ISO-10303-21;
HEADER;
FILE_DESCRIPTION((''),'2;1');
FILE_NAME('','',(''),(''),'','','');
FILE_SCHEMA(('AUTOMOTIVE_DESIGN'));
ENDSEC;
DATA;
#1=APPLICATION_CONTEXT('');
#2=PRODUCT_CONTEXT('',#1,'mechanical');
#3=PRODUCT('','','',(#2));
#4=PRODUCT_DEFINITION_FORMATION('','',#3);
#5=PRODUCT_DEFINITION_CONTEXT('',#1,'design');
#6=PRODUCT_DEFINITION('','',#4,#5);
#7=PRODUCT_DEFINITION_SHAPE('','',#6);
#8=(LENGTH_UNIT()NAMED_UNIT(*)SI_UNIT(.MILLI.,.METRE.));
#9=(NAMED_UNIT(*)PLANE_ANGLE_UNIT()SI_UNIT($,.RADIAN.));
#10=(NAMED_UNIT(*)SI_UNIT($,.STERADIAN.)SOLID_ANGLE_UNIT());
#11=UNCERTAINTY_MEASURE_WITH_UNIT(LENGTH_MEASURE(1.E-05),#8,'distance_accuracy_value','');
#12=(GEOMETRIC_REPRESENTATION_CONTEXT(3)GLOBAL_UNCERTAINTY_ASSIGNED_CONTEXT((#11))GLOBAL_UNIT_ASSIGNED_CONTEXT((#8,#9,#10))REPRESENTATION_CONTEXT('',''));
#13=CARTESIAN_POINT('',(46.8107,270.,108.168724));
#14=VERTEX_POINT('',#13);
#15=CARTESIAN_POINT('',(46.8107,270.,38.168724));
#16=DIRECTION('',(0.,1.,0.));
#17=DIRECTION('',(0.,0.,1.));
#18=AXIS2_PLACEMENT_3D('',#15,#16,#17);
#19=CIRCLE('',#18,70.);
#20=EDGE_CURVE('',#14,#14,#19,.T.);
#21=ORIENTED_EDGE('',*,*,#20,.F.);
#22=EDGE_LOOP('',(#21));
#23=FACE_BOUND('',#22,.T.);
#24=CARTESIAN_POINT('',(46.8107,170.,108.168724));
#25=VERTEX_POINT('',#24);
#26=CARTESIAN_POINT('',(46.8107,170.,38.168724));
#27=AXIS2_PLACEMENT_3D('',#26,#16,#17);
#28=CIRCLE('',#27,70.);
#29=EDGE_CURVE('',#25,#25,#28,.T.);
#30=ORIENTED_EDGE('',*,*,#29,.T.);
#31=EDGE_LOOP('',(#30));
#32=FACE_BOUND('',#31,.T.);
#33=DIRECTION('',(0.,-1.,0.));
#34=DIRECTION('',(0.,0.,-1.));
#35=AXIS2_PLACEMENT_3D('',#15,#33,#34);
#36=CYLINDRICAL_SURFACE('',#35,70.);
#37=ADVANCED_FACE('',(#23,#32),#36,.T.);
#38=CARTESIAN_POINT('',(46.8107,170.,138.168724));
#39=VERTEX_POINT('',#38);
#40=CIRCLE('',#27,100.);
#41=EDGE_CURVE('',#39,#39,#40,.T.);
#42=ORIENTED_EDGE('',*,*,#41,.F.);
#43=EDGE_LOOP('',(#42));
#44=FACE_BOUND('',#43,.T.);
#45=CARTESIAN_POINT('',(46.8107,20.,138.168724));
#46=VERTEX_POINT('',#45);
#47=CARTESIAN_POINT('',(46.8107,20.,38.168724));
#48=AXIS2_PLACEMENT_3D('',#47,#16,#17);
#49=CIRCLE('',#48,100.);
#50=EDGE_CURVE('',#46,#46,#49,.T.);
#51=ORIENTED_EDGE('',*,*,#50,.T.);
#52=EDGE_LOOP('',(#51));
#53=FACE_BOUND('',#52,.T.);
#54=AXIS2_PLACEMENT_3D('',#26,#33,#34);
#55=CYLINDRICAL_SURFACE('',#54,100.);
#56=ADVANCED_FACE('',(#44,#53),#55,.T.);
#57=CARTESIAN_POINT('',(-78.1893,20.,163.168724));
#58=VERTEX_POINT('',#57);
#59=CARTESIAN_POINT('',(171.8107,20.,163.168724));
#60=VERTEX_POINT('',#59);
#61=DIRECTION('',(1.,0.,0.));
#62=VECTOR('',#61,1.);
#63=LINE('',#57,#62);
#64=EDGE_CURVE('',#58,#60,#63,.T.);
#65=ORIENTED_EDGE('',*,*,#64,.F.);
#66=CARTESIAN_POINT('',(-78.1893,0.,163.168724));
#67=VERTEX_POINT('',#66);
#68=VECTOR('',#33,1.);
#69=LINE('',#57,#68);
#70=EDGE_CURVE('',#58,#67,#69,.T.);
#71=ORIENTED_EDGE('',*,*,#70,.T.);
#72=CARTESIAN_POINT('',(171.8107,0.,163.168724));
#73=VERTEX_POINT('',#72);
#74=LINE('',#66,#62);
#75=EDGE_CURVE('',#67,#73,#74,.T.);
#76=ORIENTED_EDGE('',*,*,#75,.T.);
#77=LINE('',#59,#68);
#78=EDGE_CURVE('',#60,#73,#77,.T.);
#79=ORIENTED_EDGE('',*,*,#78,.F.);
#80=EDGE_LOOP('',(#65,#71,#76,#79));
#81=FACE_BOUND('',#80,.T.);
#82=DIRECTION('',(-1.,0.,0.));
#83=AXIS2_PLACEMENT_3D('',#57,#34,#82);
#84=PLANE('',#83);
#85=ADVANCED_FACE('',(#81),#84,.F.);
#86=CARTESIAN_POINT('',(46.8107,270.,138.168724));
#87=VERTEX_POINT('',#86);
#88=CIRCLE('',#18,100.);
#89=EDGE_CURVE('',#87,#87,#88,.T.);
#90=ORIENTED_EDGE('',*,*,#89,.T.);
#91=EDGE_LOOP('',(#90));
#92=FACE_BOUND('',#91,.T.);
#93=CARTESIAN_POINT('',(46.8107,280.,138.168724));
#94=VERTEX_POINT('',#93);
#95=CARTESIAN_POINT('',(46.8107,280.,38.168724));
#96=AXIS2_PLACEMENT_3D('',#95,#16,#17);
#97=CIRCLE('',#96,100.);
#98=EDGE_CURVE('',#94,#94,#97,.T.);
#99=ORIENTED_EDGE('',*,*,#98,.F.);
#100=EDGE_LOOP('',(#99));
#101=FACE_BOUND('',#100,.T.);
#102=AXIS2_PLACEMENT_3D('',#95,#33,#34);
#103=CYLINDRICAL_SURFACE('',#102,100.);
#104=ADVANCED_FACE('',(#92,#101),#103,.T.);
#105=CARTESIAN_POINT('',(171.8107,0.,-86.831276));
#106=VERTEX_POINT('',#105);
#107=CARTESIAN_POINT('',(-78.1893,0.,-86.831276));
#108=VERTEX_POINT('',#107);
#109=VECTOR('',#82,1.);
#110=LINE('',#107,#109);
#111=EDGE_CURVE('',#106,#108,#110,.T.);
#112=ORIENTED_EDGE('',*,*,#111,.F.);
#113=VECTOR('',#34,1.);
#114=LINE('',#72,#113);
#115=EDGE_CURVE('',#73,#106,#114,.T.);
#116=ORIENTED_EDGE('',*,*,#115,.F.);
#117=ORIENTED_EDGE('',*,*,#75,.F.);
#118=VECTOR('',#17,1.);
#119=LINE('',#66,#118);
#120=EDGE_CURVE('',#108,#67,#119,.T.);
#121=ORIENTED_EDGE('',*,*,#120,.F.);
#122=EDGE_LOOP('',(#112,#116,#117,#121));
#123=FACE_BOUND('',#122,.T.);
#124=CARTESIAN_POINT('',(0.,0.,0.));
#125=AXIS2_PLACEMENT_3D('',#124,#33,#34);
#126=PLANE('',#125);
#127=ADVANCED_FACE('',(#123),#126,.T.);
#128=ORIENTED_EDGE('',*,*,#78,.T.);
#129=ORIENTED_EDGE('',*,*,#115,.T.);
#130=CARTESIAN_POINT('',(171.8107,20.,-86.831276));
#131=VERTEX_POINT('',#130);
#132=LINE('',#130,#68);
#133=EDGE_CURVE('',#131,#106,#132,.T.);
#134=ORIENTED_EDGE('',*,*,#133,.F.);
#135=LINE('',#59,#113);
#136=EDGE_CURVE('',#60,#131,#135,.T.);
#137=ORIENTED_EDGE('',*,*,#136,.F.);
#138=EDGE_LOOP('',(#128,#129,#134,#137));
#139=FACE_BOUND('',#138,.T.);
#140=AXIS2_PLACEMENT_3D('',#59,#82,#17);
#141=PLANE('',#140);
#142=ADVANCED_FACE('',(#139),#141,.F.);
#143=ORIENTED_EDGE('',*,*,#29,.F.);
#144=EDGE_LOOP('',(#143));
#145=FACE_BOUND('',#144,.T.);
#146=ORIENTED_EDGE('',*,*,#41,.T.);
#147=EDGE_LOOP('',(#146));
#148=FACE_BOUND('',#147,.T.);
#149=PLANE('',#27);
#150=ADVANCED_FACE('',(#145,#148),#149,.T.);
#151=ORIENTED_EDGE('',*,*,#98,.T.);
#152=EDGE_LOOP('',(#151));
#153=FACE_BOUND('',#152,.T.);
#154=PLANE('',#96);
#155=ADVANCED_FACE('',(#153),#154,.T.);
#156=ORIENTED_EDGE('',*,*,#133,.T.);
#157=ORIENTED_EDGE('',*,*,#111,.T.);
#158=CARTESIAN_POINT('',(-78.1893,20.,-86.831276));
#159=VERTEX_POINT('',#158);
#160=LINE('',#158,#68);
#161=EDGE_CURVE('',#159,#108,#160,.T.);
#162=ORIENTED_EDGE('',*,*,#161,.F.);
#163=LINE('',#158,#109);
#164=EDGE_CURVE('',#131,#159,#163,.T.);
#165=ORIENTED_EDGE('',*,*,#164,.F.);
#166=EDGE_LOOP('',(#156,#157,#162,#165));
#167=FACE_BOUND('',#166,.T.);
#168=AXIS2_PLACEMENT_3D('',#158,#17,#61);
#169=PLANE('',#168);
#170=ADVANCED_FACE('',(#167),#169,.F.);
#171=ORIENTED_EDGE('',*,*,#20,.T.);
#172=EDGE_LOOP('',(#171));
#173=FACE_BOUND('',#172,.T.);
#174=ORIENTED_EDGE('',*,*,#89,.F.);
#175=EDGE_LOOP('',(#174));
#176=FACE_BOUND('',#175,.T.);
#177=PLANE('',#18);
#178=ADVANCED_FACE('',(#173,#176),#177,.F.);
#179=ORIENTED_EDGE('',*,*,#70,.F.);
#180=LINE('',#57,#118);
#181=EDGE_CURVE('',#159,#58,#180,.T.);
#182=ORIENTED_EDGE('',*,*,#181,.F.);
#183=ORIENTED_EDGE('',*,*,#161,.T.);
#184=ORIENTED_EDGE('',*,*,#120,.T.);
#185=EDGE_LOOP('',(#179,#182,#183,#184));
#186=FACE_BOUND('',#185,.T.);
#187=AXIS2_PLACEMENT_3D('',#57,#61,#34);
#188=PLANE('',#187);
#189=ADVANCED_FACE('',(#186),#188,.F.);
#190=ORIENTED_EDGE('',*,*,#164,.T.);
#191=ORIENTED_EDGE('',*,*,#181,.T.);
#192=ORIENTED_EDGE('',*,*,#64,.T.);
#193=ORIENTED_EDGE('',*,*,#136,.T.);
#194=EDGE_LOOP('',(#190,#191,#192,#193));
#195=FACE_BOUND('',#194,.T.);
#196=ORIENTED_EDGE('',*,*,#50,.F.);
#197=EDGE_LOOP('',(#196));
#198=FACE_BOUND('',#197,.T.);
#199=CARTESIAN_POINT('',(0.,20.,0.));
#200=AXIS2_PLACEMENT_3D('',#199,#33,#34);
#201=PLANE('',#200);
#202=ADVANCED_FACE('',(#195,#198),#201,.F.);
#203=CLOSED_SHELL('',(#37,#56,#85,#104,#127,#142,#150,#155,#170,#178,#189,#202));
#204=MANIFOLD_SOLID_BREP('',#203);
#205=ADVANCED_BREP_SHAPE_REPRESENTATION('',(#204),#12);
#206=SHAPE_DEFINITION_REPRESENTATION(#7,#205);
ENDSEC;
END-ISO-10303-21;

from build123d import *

# Parameters (mm, degrees)
SKETCH1_W           = 250
SKETCH1_H           = 250
BOSS_EXTRUDE1_DEPTH = 20
SKETCH2_R           = 100
BOSS_EXTRUDE2_DEPTH = 150
SKETCH3_R           = 70
BOSS_EXTRUDE3_DEPTH = 100
SKETCH4_R           = 100
BOSS_EXTRUDE4_DEPTH = 10


with BuildPart() as part:
    # Sketch1 → Boss-Extrude1 (new body)
    with BuildSketch(Plane(origin=(0, 0, 0), x_dir=(1, 0, 0), z_dir=(0, 1, 0))):
        with Locations((46.810699588, -38.16872428)):
            Rectangle(SKETCH1_W, SKETCH1_H)
    extrude(amount=BOSS_EXTRUDE1_DEPTH)

    # Sketch2 → Boss-Extrude2 (add)
    with BuildSketch(Plane(origin=(0, 20, 0), x_dir=(1, 0, 0), z_dir=(0, 1, 0))):
        with Locations(Location((46.810699588, -38.16872428, 0), (0, 0, 270))):
            Circle(SKETCH2_R)
    extrude(amount=BOSS_EXTRUDE2_DEPTH)

    # Sketch3 → Boss-Extrude3 (add)
    with BuildSketch(Plane(origin=(0, 170, 0), x_dir=(1, 0, 0), z_dir=(0, 1, 0))):
        with Locations(Location((46.810699588, -38.16872428, 0), (0, 0, 270))):
            Circle(SKETCH3_R)
    extrude(amount=BOSS_EXTRUDE3_DEPTH)

    # Sketch4 → Boss-Extrude4 (add)
    with BuildSketch(Plane(origin=(0, 270, 0), x_dir=(1, 0, 0), z_dir=(0, 1, 0))):
        with Locations(Location((46.810699588, -38.16872428, 0), (0, 0, 270))):
            Circle(SKETCH4_R)
    extrude(amount=BOSS_EXTRUDE4_DEPTH)


solid = part.part
